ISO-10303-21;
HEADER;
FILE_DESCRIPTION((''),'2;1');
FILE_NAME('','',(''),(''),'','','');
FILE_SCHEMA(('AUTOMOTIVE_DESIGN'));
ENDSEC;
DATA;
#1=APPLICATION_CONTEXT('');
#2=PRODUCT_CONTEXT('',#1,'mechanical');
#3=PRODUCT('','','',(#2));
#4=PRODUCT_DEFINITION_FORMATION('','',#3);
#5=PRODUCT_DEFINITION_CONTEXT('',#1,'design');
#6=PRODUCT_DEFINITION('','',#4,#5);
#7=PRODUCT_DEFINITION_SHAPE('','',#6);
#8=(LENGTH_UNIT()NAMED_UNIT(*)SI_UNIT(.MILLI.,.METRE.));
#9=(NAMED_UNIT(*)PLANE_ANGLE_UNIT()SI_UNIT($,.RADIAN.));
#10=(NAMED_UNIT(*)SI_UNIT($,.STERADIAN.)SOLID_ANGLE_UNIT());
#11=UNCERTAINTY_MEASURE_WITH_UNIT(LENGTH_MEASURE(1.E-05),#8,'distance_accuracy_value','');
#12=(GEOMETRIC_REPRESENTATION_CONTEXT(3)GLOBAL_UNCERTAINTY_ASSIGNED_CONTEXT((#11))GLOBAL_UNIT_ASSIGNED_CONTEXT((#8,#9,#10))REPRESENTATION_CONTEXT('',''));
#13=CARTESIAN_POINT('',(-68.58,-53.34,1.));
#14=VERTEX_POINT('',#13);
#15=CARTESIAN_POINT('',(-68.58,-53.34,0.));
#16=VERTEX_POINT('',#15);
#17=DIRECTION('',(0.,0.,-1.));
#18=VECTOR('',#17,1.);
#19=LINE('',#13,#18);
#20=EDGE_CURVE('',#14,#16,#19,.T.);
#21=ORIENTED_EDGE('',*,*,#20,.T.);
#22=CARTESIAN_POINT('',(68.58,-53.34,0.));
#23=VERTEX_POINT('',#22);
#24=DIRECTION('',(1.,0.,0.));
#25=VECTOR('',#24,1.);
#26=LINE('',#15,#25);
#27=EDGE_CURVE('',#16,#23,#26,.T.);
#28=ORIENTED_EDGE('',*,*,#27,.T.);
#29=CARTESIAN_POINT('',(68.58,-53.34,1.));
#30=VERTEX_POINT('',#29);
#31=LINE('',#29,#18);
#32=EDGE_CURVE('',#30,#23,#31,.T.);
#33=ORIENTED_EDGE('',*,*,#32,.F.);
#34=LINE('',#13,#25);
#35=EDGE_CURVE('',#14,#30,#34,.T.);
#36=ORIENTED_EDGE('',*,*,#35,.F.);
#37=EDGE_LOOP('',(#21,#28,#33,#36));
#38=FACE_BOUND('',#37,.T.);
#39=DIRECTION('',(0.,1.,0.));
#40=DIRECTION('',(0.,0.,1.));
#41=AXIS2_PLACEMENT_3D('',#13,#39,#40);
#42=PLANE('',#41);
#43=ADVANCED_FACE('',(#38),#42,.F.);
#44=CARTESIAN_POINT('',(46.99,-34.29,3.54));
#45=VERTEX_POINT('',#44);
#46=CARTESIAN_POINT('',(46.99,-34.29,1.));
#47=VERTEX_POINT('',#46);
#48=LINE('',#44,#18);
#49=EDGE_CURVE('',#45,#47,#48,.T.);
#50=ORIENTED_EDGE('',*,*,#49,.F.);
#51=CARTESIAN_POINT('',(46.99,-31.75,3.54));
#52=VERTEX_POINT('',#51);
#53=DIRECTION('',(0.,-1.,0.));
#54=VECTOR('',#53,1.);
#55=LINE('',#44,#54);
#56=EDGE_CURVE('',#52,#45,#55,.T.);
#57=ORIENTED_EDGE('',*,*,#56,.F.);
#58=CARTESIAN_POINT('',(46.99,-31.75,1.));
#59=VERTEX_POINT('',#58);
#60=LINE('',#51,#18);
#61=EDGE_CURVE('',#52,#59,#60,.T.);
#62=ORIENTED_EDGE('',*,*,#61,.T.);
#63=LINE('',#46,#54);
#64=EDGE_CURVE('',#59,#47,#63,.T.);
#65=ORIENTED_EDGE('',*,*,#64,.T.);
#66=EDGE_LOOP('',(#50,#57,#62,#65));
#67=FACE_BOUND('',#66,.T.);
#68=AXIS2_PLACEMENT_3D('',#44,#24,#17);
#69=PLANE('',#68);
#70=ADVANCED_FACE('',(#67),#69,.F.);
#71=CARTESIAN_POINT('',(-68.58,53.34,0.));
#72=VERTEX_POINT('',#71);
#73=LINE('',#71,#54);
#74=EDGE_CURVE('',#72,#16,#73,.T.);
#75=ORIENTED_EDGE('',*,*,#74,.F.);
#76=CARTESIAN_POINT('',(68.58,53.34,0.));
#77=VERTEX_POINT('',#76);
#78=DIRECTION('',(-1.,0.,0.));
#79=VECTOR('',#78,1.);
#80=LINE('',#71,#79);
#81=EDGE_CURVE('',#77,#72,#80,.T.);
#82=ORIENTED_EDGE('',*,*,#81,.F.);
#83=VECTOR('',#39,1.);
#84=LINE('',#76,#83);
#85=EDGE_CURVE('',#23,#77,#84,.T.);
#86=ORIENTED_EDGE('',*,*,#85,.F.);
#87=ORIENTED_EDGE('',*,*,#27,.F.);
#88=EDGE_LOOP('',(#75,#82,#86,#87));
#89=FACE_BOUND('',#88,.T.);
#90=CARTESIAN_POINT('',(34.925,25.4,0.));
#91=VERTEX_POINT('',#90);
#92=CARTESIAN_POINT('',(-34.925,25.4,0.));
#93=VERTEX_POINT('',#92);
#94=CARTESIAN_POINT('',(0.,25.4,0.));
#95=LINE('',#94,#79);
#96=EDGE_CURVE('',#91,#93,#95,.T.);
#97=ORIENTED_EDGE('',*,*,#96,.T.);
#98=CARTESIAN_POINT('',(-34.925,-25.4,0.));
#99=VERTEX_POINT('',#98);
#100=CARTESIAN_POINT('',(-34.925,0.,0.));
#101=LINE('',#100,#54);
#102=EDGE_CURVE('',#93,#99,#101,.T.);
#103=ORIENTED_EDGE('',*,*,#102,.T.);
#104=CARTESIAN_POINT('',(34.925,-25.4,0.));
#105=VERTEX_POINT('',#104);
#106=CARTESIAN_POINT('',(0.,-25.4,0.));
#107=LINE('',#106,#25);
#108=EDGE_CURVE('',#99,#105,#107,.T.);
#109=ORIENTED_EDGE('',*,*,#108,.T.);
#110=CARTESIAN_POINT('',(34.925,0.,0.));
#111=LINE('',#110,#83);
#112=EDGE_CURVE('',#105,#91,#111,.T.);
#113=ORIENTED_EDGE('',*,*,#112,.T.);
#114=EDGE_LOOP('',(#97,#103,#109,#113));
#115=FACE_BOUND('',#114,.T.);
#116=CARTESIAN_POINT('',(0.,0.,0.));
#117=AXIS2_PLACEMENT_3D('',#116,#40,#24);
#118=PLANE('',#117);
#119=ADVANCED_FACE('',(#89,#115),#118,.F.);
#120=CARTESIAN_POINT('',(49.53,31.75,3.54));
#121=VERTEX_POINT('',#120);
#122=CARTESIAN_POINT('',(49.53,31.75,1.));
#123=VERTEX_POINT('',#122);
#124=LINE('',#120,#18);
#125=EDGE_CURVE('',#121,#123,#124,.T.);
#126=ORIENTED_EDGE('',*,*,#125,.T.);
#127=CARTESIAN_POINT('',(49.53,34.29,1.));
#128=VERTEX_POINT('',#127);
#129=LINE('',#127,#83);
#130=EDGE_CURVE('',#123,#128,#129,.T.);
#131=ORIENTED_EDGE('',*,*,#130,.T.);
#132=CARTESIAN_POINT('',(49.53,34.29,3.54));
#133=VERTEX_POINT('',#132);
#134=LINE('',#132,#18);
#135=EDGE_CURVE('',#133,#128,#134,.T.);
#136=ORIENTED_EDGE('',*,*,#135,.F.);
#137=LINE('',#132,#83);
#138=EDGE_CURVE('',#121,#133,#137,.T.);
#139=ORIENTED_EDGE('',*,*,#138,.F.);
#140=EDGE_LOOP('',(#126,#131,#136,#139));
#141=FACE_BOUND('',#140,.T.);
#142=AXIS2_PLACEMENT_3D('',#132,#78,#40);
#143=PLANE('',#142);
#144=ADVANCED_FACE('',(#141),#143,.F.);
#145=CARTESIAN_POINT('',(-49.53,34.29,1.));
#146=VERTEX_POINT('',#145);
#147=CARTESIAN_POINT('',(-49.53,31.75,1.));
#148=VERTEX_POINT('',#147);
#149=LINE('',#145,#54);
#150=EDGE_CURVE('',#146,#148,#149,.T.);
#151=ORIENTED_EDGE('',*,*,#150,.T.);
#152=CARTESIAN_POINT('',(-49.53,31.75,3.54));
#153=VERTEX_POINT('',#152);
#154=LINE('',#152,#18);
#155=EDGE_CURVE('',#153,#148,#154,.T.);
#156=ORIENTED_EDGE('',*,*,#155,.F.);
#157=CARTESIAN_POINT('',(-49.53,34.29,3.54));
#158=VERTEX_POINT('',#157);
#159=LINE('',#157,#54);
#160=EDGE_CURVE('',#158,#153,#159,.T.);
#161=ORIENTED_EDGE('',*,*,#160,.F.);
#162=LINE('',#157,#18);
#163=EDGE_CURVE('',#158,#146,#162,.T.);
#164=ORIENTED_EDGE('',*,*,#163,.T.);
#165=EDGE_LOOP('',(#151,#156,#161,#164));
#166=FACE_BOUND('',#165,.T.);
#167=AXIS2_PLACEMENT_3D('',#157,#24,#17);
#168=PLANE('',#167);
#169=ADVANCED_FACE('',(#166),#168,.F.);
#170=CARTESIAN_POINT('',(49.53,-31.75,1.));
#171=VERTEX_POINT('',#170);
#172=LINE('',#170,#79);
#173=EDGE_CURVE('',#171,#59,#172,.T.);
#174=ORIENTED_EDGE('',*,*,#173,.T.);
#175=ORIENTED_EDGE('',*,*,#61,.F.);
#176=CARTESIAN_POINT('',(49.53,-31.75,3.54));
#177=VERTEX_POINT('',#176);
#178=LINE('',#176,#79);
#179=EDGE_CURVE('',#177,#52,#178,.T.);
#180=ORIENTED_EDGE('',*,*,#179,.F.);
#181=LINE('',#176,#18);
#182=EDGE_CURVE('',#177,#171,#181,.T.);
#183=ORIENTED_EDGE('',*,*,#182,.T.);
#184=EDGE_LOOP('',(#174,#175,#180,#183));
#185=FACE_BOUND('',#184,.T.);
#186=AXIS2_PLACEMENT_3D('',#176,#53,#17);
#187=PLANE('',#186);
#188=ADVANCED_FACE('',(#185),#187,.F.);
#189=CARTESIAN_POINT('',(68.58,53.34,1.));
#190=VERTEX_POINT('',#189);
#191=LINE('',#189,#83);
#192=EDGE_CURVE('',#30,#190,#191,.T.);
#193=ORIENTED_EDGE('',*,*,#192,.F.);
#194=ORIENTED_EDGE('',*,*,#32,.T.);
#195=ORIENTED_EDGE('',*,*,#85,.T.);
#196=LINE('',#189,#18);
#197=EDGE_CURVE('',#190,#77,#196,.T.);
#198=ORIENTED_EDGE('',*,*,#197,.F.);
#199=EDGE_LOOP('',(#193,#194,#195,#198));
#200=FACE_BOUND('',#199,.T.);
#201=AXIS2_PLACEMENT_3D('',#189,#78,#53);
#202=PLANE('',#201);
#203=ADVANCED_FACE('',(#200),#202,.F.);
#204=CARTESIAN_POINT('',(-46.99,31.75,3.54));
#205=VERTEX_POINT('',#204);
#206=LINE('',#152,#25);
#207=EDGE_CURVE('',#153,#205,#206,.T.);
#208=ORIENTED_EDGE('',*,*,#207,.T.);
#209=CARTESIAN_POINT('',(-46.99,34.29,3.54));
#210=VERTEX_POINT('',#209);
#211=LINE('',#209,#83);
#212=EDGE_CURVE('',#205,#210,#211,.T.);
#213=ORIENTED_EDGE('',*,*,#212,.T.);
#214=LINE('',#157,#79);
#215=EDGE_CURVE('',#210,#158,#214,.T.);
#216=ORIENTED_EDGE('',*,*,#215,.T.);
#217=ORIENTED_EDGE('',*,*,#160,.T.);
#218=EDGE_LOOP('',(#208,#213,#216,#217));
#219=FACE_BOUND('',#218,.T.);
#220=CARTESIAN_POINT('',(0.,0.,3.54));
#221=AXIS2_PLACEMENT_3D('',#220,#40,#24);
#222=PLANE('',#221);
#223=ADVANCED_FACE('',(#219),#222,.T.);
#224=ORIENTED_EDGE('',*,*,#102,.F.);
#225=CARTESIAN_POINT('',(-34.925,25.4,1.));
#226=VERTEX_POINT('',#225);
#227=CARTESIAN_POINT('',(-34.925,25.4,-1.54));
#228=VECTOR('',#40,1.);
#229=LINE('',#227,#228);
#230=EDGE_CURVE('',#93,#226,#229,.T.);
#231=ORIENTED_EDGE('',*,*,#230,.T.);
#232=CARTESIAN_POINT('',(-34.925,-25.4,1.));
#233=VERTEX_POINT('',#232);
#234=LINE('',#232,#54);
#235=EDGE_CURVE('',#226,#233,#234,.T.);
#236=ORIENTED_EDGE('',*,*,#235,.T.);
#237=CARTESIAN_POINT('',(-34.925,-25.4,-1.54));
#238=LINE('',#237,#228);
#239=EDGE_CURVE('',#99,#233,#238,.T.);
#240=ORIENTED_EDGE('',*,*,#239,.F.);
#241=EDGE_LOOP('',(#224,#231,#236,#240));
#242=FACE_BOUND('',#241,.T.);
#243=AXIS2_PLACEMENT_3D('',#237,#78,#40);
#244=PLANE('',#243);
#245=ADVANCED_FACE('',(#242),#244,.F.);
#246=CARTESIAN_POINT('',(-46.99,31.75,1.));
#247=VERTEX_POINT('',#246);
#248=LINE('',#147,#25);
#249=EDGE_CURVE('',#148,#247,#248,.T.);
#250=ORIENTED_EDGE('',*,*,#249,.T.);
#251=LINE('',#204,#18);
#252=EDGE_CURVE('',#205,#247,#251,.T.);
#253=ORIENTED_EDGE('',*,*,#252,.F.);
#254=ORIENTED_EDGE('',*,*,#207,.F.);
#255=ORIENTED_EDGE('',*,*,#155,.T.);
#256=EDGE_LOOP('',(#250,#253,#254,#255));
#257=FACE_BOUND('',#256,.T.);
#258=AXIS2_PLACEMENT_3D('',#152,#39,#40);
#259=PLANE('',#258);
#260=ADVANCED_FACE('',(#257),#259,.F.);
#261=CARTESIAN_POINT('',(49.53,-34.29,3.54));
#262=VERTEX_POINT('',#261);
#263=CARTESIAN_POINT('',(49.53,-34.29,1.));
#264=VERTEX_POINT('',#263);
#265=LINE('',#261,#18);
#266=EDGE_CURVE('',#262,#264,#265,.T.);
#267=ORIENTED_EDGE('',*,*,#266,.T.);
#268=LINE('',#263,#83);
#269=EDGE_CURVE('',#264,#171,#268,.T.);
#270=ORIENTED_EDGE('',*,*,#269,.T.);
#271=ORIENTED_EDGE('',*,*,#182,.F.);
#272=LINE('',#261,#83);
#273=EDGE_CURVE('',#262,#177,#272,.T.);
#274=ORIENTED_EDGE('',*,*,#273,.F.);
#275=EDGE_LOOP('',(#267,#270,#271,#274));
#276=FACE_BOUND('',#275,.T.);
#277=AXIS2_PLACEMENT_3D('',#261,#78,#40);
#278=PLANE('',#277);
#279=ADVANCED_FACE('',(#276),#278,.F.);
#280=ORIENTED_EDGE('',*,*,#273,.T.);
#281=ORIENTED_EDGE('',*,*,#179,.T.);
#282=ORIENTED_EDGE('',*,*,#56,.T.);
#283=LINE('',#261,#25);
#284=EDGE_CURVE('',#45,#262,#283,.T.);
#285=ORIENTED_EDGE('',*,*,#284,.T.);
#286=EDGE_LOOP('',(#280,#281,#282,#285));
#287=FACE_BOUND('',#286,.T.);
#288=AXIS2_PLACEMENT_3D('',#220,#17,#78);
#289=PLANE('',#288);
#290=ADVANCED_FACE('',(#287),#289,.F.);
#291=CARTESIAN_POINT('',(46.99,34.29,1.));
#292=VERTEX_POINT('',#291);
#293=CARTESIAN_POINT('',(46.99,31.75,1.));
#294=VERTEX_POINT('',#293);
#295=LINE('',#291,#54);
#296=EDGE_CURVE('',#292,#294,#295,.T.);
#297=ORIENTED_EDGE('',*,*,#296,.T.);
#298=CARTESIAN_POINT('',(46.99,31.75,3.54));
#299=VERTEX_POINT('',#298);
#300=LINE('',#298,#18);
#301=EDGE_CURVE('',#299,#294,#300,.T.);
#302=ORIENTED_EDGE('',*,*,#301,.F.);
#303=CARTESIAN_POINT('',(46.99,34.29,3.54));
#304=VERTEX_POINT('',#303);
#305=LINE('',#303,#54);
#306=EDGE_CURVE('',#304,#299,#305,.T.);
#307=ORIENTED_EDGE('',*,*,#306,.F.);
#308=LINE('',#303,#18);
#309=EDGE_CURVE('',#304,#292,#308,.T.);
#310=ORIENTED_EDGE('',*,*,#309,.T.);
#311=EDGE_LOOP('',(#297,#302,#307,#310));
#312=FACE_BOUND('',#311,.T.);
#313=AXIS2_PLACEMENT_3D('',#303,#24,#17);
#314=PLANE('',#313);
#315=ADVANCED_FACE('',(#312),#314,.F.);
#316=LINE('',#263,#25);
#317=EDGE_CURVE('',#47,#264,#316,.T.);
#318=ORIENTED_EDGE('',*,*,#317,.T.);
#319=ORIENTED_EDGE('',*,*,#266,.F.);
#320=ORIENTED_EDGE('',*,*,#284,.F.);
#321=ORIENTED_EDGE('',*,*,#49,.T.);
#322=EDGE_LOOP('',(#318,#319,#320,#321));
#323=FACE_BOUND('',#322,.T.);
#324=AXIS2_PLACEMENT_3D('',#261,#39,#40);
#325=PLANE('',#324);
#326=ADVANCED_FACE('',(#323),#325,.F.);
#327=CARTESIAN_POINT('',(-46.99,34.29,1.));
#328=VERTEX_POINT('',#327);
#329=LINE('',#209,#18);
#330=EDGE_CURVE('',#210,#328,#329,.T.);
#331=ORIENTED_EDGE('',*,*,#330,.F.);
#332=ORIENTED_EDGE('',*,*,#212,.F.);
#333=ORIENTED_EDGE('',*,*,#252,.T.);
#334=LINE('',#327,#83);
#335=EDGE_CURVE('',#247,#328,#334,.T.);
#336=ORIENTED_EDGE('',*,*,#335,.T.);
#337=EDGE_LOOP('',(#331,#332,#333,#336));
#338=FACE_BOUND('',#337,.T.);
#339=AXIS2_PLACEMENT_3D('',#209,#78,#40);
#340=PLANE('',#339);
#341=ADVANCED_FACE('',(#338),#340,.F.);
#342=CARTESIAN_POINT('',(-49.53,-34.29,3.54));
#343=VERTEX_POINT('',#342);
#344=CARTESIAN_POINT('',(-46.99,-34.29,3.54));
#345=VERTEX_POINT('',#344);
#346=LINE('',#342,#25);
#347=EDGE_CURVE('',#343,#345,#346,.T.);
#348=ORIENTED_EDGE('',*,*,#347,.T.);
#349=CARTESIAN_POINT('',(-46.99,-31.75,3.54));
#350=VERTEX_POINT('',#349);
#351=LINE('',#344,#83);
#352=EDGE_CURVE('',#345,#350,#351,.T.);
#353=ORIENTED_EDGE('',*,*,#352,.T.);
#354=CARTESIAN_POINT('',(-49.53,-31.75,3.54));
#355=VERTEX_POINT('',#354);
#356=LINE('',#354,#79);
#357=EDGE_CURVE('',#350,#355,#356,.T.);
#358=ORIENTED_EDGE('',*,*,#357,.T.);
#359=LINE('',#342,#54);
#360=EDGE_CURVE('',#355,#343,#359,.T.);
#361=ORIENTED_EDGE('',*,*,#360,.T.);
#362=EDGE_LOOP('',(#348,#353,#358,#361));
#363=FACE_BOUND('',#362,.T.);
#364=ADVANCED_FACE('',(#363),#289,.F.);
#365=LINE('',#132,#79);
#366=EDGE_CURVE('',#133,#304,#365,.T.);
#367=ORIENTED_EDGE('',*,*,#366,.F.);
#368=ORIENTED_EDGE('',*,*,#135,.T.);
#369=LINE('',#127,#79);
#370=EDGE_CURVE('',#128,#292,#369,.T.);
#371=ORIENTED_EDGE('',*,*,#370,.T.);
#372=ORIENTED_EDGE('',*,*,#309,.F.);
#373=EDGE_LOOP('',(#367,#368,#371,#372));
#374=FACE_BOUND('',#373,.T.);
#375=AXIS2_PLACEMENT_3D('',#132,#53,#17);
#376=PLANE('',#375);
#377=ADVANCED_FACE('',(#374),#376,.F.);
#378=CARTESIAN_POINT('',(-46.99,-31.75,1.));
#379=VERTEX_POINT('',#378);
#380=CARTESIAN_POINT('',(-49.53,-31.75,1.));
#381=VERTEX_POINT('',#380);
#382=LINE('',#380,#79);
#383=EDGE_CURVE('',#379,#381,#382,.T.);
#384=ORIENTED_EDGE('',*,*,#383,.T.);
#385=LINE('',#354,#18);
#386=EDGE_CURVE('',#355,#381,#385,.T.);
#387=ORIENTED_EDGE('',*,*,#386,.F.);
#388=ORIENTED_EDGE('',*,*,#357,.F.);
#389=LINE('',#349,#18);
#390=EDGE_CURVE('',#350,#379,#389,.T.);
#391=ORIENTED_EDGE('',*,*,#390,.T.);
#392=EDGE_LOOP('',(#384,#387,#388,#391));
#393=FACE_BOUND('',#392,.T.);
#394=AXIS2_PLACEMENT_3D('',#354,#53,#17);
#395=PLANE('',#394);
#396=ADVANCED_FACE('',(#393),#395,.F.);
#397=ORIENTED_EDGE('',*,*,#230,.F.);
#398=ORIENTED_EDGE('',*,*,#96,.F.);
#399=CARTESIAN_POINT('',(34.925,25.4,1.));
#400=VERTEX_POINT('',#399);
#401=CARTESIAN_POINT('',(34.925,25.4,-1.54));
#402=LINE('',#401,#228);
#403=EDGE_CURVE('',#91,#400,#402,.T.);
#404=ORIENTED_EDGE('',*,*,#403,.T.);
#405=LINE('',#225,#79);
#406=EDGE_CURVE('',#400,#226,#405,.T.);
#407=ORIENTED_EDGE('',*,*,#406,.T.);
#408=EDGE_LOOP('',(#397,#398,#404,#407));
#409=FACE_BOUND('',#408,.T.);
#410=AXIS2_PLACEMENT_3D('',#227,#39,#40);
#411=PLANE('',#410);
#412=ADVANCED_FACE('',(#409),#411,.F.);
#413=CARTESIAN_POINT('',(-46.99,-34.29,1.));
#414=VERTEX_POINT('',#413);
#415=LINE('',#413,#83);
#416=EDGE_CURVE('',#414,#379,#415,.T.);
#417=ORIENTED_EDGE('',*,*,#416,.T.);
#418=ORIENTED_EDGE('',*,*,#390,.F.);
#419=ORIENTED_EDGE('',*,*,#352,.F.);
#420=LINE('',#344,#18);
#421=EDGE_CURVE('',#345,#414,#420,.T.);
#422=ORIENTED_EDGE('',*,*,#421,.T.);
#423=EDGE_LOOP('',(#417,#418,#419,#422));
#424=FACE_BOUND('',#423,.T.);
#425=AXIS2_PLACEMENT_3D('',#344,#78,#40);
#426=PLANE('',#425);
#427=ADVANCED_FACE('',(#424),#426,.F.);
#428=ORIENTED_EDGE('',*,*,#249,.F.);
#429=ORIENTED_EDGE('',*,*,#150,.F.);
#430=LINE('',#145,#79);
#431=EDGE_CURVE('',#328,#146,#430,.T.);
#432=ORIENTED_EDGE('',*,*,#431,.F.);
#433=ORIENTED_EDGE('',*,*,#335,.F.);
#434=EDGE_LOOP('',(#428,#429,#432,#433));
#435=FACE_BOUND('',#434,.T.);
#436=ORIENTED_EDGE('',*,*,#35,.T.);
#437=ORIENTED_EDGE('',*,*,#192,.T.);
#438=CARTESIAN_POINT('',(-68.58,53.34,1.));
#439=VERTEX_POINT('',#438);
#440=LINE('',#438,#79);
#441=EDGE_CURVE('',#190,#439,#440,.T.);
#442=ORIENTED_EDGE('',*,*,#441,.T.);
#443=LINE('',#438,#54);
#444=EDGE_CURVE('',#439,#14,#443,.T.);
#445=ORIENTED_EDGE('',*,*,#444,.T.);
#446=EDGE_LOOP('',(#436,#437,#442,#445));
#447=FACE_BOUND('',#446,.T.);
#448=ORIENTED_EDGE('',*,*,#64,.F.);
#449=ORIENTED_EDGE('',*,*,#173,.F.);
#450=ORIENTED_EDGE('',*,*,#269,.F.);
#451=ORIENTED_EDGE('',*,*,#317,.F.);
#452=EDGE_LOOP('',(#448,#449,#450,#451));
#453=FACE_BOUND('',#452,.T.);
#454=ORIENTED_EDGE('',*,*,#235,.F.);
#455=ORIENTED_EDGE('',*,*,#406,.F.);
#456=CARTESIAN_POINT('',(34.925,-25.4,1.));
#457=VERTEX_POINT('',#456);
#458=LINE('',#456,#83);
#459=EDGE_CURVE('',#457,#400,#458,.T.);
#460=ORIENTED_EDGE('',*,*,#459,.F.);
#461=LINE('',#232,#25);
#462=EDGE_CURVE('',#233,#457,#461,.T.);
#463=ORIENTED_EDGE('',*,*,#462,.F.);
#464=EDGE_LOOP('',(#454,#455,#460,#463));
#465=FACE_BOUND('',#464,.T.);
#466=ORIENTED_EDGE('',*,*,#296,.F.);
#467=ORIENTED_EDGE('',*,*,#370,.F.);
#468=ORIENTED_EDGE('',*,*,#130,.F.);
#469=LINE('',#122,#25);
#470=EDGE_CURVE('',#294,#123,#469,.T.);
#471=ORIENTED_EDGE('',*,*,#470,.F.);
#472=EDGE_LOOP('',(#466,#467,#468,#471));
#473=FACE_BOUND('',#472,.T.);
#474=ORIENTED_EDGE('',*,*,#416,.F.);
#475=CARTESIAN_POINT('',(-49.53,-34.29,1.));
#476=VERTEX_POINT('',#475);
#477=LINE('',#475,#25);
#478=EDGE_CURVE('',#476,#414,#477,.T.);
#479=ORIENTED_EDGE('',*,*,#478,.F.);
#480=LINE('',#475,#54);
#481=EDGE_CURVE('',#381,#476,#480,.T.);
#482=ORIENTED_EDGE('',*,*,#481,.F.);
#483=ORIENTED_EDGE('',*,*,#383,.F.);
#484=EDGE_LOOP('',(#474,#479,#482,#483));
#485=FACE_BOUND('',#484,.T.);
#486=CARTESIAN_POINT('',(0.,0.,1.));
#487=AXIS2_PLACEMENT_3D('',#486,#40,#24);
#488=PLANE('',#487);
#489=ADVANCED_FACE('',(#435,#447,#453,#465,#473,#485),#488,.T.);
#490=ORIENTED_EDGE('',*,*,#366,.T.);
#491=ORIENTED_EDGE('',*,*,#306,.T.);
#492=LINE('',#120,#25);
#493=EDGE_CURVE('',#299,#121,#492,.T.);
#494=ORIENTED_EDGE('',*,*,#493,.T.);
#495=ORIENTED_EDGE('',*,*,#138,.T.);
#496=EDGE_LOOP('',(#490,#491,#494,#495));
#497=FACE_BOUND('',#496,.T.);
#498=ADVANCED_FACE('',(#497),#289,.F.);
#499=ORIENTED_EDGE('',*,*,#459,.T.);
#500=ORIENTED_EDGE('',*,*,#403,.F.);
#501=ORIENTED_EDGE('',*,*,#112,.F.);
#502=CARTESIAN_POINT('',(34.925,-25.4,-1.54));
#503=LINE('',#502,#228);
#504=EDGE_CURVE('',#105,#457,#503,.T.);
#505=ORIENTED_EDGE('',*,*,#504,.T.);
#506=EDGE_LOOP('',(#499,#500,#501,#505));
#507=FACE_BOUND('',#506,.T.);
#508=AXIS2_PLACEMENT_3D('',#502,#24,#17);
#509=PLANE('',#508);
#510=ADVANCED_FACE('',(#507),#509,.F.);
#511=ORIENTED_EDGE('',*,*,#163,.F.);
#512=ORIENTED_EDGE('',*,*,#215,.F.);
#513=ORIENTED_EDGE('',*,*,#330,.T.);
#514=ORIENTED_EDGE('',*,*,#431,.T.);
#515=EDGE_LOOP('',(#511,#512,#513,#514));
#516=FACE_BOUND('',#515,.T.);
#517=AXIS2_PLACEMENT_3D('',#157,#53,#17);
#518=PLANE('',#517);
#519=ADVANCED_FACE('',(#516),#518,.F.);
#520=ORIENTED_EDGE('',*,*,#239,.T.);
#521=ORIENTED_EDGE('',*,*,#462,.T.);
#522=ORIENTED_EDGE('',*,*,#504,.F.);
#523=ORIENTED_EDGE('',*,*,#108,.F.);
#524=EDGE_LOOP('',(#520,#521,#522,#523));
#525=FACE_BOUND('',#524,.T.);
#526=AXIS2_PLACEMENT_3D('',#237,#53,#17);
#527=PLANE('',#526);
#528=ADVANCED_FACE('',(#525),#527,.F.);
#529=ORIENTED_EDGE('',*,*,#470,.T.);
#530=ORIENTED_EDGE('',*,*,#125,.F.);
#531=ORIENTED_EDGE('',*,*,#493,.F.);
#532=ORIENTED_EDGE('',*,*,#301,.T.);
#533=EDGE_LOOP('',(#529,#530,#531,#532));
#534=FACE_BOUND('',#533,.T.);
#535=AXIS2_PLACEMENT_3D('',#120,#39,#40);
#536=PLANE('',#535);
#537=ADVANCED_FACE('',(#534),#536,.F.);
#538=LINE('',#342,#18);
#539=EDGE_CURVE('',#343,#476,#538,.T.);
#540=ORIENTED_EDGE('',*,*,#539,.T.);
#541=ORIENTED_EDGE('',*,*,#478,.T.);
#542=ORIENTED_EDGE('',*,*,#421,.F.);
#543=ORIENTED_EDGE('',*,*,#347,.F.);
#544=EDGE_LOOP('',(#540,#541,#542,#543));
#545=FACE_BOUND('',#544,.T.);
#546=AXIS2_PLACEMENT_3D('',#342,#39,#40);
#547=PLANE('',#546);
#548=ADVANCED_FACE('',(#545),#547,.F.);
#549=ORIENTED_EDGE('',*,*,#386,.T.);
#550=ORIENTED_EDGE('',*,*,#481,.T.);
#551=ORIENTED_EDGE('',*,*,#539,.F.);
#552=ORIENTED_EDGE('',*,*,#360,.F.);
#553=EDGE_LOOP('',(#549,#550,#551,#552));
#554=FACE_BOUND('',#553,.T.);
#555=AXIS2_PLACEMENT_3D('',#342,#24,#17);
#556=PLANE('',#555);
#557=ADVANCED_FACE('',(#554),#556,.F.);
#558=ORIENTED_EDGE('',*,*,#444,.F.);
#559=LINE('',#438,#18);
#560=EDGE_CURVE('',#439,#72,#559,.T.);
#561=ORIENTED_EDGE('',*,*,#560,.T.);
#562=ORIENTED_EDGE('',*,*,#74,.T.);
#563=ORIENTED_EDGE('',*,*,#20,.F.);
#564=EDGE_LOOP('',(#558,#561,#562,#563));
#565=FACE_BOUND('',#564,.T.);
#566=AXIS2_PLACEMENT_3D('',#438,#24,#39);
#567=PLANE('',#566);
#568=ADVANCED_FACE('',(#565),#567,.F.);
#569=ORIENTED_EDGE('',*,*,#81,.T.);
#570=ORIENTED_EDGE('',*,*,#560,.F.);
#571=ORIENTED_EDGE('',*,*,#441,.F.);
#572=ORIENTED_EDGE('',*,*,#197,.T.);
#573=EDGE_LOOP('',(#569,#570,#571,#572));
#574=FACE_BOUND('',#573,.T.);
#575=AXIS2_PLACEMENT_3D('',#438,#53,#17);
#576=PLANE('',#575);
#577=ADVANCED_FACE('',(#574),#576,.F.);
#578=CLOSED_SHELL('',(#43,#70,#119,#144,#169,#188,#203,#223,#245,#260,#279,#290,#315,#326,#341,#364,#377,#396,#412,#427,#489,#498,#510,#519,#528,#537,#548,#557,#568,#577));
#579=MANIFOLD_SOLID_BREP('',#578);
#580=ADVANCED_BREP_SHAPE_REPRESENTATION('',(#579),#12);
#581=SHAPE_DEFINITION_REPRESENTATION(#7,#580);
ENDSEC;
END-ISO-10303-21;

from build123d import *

# Parameters (mm, degrees)
SKETCH1_W           = 137.16
SKETCH1_H           = 106.68
BOSS_EXTRUDE1_DEPTH = 1
SKETCH4_W           = 2.54
SKETCH4_H           = 2.54
BOSS_EXTRUDE2_DEPTH = 2.54
SKETCH5_W           = 69.85
SKETCH5_H           = 50.8
CUT_EXTRUDE1_DEPTH  = 2.54


with BuildPart() as part:
    # Sketch1 → Boss-Extrude1 (new body)
    with BuildSketch(Plane.XY):
        Rectangle(SKETCH1_W, SKETCH1_H)
    extrude(amount=BOSS_EXTRUDE1_DEPTH)

    # Sketch4 → Boss-Extrude2 (add)
    with BuildSketch(Plane.XY.offset(1)):
        with Locations((-48.26, 33.02)):
            Rectangle(SKETCH4_W, SKETCH4_H)
        with Locations((48.26, 33.02)):
            Rectangle(SKETCH4_W, SKETCH4_H)
        with Locations((48.26, -33.02)):
            Rectangle(SKETCH4_W, SKETCH4_H)
        with Locations((-48.26, -33.02)):
            Rectangle(SKETCH4_W, SKETCH4_H)
    extrude(amount=BOSS_EXTRUDE2_DEPTH)

    # Sketch5 → Cut-Extrude1 (cut)
    with BuildSketch(Plane.XY.offset(1)):
        Rectangle(SKETCH5_W, SKETCH5_H)
    extrude(amount=-CUT_EXTRUDE1_DEPTH, mode=Mode.SUBTRACT)


solid = part.part
